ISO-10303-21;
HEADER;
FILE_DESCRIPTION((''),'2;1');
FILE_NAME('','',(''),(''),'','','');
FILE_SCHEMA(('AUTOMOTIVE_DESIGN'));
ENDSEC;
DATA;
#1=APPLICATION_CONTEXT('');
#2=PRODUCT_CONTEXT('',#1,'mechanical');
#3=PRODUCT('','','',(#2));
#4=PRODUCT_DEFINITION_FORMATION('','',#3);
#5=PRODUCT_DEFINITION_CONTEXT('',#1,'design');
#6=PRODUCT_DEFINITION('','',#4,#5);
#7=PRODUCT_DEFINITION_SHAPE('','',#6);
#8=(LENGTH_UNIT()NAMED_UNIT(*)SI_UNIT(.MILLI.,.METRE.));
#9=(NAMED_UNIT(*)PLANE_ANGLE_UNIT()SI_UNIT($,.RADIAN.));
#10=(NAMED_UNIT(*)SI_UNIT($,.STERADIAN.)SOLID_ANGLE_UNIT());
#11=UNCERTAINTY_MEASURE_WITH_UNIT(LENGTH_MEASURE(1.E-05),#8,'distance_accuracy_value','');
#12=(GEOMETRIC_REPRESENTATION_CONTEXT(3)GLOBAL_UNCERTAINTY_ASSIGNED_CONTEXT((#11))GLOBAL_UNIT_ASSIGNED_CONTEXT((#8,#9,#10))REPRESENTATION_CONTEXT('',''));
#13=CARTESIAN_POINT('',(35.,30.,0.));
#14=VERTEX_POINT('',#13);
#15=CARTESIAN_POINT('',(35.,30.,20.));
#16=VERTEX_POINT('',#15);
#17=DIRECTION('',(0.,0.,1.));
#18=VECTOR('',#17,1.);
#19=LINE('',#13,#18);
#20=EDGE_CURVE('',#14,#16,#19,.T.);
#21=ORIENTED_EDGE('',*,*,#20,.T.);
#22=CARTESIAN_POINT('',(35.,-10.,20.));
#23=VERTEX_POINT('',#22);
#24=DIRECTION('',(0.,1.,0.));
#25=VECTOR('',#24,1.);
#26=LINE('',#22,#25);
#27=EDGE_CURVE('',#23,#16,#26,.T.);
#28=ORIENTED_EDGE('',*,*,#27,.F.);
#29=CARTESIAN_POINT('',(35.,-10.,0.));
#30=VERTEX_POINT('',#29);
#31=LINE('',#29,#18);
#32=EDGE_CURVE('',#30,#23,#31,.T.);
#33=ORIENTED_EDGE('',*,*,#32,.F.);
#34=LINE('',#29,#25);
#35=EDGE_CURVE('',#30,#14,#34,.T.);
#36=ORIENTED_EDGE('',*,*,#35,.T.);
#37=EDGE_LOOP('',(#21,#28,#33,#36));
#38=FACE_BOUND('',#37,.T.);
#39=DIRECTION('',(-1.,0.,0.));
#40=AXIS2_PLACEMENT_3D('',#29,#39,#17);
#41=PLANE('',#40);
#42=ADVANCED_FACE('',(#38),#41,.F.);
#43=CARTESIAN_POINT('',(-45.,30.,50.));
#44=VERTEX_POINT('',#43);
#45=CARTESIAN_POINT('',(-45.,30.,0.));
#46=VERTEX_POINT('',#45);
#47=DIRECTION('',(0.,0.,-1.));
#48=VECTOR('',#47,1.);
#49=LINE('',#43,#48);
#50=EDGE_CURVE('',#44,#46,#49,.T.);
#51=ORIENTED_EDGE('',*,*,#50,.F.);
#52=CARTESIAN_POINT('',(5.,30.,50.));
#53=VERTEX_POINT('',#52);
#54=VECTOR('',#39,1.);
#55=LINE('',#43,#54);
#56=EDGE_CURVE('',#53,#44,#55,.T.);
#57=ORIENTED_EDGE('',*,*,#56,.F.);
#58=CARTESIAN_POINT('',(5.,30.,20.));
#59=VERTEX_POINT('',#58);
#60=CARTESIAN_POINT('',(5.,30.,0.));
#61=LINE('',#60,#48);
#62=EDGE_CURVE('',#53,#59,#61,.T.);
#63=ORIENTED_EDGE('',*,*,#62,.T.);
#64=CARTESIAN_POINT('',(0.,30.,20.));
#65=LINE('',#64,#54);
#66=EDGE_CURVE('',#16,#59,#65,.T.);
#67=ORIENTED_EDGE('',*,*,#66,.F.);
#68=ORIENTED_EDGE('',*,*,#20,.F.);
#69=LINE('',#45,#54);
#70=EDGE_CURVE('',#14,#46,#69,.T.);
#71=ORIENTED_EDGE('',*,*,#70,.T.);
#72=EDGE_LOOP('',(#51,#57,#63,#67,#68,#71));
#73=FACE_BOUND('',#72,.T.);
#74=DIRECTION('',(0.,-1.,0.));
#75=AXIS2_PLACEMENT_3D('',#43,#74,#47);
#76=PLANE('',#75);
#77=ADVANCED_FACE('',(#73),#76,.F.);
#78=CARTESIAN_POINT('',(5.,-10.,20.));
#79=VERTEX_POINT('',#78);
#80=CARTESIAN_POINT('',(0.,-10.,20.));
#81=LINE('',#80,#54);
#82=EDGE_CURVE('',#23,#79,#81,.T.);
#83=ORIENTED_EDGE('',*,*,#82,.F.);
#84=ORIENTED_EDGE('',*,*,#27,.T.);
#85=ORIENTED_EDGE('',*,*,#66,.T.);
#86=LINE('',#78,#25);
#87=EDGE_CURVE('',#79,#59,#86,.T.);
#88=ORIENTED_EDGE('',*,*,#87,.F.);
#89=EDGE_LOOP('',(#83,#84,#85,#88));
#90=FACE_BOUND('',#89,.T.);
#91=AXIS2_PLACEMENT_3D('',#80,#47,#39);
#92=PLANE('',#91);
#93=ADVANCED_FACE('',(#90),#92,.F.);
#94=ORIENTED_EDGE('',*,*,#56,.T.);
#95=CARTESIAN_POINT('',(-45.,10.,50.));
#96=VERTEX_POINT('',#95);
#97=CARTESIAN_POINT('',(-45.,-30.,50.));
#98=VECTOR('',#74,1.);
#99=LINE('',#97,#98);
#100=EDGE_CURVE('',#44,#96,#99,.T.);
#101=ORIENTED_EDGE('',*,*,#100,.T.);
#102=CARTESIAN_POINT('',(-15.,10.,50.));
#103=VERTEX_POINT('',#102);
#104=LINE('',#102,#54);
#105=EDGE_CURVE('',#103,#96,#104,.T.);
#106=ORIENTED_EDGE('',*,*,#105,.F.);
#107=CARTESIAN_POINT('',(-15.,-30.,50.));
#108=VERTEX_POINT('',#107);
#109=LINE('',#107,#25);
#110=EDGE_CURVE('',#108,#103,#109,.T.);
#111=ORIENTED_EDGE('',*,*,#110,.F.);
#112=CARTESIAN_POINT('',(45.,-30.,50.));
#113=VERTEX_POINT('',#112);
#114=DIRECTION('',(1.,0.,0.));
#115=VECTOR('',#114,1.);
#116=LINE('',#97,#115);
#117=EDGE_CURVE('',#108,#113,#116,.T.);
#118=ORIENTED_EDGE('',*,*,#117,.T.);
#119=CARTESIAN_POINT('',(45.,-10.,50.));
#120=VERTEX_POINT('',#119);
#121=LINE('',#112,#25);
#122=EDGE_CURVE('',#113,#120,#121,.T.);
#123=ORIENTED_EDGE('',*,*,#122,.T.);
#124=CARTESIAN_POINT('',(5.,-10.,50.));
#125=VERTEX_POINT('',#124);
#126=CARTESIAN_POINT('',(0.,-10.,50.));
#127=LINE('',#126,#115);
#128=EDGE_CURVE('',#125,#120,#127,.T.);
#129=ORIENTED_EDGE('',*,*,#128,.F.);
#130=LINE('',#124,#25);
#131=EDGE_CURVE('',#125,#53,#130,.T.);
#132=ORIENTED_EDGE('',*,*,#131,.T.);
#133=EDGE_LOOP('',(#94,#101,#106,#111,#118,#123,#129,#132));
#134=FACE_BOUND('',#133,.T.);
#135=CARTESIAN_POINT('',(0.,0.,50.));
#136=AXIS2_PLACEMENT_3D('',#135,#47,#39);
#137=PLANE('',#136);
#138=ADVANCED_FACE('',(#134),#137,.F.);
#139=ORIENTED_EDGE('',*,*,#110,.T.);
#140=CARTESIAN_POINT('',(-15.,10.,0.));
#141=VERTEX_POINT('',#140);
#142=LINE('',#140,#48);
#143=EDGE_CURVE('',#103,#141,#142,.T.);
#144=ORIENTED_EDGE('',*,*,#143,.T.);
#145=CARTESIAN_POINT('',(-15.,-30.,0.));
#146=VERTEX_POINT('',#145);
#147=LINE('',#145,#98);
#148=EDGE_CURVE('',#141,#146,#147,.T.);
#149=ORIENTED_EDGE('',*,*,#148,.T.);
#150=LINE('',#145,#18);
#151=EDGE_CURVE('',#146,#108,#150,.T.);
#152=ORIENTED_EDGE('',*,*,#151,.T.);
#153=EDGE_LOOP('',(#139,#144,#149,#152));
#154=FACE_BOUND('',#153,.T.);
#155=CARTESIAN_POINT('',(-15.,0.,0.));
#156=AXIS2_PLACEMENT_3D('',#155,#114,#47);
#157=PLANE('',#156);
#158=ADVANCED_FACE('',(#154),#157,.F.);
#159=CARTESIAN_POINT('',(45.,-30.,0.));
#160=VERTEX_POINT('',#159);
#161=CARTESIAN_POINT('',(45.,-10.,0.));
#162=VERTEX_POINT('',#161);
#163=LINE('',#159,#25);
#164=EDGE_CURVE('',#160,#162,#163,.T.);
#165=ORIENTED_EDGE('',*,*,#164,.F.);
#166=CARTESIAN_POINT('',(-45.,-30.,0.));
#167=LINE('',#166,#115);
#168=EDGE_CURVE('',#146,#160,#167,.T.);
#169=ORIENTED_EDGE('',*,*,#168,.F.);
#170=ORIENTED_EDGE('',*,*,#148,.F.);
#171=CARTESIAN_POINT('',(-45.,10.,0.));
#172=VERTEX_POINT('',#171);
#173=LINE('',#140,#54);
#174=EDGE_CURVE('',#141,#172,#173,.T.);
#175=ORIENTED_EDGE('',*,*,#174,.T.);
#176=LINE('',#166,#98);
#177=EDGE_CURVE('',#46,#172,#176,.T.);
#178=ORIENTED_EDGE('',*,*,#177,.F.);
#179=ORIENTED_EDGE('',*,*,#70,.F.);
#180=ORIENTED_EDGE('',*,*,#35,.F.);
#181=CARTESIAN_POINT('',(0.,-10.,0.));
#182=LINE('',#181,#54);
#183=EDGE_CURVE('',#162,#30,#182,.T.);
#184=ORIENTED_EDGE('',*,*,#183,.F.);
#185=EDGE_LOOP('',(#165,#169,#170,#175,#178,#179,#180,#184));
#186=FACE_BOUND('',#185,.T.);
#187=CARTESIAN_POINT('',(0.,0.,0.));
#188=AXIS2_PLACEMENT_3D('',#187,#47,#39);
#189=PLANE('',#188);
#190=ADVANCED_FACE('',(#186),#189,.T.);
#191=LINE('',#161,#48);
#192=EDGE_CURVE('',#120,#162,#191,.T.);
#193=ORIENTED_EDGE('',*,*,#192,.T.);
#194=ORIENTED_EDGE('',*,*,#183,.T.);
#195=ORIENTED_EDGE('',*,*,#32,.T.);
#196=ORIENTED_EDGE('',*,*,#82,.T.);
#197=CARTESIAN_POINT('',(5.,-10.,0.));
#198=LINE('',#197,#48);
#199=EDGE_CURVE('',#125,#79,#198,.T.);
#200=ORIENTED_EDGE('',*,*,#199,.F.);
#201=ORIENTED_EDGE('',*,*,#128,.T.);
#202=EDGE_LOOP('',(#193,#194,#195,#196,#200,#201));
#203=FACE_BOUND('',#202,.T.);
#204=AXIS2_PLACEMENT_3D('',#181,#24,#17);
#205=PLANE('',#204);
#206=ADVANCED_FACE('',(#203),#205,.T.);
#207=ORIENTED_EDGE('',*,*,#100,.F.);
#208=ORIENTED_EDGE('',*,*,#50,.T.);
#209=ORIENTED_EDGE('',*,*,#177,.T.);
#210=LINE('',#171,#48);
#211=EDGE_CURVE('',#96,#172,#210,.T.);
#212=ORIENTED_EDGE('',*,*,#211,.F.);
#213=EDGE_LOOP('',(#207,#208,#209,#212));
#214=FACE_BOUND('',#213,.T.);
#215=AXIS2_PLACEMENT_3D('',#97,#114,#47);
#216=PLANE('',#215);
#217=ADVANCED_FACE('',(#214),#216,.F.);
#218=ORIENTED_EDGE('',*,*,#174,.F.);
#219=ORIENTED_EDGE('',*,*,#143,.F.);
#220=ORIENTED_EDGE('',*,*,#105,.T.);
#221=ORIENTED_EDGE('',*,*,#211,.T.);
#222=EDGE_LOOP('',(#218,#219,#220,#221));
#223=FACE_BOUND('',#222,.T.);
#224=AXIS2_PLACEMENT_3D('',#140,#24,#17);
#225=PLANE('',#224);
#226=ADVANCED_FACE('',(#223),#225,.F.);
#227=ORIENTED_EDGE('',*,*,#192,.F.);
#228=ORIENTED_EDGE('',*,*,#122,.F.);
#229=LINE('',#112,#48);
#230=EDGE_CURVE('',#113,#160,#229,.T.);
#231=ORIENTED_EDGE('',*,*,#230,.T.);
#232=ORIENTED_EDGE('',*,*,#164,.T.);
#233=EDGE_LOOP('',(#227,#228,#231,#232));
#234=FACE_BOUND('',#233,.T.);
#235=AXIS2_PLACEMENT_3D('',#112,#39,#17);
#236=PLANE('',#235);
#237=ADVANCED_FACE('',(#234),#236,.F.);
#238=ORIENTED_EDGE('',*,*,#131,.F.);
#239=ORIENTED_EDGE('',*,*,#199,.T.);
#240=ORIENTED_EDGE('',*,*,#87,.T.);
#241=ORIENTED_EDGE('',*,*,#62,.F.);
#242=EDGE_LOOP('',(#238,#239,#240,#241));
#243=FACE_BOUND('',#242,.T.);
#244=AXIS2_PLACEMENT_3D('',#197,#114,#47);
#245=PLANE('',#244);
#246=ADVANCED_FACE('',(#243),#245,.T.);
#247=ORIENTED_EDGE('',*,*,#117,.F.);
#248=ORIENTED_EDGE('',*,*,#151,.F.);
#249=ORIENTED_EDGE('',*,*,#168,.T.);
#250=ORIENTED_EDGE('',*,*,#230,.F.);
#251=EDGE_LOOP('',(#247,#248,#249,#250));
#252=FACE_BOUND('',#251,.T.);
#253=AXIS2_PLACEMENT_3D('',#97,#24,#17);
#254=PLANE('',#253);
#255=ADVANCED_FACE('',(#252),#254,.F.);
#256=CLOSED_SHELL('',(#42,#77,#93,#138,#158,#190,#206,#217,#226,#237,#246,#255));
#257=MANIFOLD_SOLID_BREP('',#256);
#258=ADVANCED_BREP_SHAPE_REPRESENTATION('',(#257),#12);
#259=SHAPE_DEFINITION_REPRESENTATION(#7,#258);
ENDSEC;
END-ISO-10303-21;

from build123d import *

# Parameters (mm, degrees)
CROQUIS2_W              = 90
CROQUIS2_H              = 60
SALIENTE_EXTRUIR1_DEPTH = 50
CROQUIS3_W              = 50
CROQUIS3_H              = 40
CORTAR_EXTRUIR3_DEPTH   = 30
CROQUIS5_W              = 30
CROQUIS5_H              = 30
CORTAR_EXTRUIR4_DEPTH   = 40


with BuildPart() as part:
    # Croquis2 → Saliente-Extruir1 (new body)
    with BuildSketch(Plane.XY):
        Rectangle(CROQUIS2_W, CROQUIS2_H)
    extrude(amount=SALIENTE_EXTRUIR1_DEPTH)

    # Croquis3 → Cortar-Extruir3 (cut)
    with BuildSketch(Plane.ZY.offset(45)):
        with Locations((25, -10)):
            Rectangle(CROQUIS3_W, CROQUIS3_H)
    extrude(amount=-CORTAR_EXTRUIR3_DEPTH, mode=Mode.SUBTRACT)

    # Croquis5 → Cortar-Extruir4 (cut)
    with BuildSketch(Plane(origin=(0, 30, 0), x_dir=(1, 0, 0), z_dir=(0, 1, 0))):
        with Locations((20, -35)):
            Rectangle(CROQUIS5_W, CROQUIS5_H)
        Polygon((45, -50), (45, 0), (35, 0), (35, -20), (35, -50), align=None)
    extrude(amount=-CORTAR_EXTRUIR4_DEPTH, mode=Mode.SUBTRACT)


solid = part.part
